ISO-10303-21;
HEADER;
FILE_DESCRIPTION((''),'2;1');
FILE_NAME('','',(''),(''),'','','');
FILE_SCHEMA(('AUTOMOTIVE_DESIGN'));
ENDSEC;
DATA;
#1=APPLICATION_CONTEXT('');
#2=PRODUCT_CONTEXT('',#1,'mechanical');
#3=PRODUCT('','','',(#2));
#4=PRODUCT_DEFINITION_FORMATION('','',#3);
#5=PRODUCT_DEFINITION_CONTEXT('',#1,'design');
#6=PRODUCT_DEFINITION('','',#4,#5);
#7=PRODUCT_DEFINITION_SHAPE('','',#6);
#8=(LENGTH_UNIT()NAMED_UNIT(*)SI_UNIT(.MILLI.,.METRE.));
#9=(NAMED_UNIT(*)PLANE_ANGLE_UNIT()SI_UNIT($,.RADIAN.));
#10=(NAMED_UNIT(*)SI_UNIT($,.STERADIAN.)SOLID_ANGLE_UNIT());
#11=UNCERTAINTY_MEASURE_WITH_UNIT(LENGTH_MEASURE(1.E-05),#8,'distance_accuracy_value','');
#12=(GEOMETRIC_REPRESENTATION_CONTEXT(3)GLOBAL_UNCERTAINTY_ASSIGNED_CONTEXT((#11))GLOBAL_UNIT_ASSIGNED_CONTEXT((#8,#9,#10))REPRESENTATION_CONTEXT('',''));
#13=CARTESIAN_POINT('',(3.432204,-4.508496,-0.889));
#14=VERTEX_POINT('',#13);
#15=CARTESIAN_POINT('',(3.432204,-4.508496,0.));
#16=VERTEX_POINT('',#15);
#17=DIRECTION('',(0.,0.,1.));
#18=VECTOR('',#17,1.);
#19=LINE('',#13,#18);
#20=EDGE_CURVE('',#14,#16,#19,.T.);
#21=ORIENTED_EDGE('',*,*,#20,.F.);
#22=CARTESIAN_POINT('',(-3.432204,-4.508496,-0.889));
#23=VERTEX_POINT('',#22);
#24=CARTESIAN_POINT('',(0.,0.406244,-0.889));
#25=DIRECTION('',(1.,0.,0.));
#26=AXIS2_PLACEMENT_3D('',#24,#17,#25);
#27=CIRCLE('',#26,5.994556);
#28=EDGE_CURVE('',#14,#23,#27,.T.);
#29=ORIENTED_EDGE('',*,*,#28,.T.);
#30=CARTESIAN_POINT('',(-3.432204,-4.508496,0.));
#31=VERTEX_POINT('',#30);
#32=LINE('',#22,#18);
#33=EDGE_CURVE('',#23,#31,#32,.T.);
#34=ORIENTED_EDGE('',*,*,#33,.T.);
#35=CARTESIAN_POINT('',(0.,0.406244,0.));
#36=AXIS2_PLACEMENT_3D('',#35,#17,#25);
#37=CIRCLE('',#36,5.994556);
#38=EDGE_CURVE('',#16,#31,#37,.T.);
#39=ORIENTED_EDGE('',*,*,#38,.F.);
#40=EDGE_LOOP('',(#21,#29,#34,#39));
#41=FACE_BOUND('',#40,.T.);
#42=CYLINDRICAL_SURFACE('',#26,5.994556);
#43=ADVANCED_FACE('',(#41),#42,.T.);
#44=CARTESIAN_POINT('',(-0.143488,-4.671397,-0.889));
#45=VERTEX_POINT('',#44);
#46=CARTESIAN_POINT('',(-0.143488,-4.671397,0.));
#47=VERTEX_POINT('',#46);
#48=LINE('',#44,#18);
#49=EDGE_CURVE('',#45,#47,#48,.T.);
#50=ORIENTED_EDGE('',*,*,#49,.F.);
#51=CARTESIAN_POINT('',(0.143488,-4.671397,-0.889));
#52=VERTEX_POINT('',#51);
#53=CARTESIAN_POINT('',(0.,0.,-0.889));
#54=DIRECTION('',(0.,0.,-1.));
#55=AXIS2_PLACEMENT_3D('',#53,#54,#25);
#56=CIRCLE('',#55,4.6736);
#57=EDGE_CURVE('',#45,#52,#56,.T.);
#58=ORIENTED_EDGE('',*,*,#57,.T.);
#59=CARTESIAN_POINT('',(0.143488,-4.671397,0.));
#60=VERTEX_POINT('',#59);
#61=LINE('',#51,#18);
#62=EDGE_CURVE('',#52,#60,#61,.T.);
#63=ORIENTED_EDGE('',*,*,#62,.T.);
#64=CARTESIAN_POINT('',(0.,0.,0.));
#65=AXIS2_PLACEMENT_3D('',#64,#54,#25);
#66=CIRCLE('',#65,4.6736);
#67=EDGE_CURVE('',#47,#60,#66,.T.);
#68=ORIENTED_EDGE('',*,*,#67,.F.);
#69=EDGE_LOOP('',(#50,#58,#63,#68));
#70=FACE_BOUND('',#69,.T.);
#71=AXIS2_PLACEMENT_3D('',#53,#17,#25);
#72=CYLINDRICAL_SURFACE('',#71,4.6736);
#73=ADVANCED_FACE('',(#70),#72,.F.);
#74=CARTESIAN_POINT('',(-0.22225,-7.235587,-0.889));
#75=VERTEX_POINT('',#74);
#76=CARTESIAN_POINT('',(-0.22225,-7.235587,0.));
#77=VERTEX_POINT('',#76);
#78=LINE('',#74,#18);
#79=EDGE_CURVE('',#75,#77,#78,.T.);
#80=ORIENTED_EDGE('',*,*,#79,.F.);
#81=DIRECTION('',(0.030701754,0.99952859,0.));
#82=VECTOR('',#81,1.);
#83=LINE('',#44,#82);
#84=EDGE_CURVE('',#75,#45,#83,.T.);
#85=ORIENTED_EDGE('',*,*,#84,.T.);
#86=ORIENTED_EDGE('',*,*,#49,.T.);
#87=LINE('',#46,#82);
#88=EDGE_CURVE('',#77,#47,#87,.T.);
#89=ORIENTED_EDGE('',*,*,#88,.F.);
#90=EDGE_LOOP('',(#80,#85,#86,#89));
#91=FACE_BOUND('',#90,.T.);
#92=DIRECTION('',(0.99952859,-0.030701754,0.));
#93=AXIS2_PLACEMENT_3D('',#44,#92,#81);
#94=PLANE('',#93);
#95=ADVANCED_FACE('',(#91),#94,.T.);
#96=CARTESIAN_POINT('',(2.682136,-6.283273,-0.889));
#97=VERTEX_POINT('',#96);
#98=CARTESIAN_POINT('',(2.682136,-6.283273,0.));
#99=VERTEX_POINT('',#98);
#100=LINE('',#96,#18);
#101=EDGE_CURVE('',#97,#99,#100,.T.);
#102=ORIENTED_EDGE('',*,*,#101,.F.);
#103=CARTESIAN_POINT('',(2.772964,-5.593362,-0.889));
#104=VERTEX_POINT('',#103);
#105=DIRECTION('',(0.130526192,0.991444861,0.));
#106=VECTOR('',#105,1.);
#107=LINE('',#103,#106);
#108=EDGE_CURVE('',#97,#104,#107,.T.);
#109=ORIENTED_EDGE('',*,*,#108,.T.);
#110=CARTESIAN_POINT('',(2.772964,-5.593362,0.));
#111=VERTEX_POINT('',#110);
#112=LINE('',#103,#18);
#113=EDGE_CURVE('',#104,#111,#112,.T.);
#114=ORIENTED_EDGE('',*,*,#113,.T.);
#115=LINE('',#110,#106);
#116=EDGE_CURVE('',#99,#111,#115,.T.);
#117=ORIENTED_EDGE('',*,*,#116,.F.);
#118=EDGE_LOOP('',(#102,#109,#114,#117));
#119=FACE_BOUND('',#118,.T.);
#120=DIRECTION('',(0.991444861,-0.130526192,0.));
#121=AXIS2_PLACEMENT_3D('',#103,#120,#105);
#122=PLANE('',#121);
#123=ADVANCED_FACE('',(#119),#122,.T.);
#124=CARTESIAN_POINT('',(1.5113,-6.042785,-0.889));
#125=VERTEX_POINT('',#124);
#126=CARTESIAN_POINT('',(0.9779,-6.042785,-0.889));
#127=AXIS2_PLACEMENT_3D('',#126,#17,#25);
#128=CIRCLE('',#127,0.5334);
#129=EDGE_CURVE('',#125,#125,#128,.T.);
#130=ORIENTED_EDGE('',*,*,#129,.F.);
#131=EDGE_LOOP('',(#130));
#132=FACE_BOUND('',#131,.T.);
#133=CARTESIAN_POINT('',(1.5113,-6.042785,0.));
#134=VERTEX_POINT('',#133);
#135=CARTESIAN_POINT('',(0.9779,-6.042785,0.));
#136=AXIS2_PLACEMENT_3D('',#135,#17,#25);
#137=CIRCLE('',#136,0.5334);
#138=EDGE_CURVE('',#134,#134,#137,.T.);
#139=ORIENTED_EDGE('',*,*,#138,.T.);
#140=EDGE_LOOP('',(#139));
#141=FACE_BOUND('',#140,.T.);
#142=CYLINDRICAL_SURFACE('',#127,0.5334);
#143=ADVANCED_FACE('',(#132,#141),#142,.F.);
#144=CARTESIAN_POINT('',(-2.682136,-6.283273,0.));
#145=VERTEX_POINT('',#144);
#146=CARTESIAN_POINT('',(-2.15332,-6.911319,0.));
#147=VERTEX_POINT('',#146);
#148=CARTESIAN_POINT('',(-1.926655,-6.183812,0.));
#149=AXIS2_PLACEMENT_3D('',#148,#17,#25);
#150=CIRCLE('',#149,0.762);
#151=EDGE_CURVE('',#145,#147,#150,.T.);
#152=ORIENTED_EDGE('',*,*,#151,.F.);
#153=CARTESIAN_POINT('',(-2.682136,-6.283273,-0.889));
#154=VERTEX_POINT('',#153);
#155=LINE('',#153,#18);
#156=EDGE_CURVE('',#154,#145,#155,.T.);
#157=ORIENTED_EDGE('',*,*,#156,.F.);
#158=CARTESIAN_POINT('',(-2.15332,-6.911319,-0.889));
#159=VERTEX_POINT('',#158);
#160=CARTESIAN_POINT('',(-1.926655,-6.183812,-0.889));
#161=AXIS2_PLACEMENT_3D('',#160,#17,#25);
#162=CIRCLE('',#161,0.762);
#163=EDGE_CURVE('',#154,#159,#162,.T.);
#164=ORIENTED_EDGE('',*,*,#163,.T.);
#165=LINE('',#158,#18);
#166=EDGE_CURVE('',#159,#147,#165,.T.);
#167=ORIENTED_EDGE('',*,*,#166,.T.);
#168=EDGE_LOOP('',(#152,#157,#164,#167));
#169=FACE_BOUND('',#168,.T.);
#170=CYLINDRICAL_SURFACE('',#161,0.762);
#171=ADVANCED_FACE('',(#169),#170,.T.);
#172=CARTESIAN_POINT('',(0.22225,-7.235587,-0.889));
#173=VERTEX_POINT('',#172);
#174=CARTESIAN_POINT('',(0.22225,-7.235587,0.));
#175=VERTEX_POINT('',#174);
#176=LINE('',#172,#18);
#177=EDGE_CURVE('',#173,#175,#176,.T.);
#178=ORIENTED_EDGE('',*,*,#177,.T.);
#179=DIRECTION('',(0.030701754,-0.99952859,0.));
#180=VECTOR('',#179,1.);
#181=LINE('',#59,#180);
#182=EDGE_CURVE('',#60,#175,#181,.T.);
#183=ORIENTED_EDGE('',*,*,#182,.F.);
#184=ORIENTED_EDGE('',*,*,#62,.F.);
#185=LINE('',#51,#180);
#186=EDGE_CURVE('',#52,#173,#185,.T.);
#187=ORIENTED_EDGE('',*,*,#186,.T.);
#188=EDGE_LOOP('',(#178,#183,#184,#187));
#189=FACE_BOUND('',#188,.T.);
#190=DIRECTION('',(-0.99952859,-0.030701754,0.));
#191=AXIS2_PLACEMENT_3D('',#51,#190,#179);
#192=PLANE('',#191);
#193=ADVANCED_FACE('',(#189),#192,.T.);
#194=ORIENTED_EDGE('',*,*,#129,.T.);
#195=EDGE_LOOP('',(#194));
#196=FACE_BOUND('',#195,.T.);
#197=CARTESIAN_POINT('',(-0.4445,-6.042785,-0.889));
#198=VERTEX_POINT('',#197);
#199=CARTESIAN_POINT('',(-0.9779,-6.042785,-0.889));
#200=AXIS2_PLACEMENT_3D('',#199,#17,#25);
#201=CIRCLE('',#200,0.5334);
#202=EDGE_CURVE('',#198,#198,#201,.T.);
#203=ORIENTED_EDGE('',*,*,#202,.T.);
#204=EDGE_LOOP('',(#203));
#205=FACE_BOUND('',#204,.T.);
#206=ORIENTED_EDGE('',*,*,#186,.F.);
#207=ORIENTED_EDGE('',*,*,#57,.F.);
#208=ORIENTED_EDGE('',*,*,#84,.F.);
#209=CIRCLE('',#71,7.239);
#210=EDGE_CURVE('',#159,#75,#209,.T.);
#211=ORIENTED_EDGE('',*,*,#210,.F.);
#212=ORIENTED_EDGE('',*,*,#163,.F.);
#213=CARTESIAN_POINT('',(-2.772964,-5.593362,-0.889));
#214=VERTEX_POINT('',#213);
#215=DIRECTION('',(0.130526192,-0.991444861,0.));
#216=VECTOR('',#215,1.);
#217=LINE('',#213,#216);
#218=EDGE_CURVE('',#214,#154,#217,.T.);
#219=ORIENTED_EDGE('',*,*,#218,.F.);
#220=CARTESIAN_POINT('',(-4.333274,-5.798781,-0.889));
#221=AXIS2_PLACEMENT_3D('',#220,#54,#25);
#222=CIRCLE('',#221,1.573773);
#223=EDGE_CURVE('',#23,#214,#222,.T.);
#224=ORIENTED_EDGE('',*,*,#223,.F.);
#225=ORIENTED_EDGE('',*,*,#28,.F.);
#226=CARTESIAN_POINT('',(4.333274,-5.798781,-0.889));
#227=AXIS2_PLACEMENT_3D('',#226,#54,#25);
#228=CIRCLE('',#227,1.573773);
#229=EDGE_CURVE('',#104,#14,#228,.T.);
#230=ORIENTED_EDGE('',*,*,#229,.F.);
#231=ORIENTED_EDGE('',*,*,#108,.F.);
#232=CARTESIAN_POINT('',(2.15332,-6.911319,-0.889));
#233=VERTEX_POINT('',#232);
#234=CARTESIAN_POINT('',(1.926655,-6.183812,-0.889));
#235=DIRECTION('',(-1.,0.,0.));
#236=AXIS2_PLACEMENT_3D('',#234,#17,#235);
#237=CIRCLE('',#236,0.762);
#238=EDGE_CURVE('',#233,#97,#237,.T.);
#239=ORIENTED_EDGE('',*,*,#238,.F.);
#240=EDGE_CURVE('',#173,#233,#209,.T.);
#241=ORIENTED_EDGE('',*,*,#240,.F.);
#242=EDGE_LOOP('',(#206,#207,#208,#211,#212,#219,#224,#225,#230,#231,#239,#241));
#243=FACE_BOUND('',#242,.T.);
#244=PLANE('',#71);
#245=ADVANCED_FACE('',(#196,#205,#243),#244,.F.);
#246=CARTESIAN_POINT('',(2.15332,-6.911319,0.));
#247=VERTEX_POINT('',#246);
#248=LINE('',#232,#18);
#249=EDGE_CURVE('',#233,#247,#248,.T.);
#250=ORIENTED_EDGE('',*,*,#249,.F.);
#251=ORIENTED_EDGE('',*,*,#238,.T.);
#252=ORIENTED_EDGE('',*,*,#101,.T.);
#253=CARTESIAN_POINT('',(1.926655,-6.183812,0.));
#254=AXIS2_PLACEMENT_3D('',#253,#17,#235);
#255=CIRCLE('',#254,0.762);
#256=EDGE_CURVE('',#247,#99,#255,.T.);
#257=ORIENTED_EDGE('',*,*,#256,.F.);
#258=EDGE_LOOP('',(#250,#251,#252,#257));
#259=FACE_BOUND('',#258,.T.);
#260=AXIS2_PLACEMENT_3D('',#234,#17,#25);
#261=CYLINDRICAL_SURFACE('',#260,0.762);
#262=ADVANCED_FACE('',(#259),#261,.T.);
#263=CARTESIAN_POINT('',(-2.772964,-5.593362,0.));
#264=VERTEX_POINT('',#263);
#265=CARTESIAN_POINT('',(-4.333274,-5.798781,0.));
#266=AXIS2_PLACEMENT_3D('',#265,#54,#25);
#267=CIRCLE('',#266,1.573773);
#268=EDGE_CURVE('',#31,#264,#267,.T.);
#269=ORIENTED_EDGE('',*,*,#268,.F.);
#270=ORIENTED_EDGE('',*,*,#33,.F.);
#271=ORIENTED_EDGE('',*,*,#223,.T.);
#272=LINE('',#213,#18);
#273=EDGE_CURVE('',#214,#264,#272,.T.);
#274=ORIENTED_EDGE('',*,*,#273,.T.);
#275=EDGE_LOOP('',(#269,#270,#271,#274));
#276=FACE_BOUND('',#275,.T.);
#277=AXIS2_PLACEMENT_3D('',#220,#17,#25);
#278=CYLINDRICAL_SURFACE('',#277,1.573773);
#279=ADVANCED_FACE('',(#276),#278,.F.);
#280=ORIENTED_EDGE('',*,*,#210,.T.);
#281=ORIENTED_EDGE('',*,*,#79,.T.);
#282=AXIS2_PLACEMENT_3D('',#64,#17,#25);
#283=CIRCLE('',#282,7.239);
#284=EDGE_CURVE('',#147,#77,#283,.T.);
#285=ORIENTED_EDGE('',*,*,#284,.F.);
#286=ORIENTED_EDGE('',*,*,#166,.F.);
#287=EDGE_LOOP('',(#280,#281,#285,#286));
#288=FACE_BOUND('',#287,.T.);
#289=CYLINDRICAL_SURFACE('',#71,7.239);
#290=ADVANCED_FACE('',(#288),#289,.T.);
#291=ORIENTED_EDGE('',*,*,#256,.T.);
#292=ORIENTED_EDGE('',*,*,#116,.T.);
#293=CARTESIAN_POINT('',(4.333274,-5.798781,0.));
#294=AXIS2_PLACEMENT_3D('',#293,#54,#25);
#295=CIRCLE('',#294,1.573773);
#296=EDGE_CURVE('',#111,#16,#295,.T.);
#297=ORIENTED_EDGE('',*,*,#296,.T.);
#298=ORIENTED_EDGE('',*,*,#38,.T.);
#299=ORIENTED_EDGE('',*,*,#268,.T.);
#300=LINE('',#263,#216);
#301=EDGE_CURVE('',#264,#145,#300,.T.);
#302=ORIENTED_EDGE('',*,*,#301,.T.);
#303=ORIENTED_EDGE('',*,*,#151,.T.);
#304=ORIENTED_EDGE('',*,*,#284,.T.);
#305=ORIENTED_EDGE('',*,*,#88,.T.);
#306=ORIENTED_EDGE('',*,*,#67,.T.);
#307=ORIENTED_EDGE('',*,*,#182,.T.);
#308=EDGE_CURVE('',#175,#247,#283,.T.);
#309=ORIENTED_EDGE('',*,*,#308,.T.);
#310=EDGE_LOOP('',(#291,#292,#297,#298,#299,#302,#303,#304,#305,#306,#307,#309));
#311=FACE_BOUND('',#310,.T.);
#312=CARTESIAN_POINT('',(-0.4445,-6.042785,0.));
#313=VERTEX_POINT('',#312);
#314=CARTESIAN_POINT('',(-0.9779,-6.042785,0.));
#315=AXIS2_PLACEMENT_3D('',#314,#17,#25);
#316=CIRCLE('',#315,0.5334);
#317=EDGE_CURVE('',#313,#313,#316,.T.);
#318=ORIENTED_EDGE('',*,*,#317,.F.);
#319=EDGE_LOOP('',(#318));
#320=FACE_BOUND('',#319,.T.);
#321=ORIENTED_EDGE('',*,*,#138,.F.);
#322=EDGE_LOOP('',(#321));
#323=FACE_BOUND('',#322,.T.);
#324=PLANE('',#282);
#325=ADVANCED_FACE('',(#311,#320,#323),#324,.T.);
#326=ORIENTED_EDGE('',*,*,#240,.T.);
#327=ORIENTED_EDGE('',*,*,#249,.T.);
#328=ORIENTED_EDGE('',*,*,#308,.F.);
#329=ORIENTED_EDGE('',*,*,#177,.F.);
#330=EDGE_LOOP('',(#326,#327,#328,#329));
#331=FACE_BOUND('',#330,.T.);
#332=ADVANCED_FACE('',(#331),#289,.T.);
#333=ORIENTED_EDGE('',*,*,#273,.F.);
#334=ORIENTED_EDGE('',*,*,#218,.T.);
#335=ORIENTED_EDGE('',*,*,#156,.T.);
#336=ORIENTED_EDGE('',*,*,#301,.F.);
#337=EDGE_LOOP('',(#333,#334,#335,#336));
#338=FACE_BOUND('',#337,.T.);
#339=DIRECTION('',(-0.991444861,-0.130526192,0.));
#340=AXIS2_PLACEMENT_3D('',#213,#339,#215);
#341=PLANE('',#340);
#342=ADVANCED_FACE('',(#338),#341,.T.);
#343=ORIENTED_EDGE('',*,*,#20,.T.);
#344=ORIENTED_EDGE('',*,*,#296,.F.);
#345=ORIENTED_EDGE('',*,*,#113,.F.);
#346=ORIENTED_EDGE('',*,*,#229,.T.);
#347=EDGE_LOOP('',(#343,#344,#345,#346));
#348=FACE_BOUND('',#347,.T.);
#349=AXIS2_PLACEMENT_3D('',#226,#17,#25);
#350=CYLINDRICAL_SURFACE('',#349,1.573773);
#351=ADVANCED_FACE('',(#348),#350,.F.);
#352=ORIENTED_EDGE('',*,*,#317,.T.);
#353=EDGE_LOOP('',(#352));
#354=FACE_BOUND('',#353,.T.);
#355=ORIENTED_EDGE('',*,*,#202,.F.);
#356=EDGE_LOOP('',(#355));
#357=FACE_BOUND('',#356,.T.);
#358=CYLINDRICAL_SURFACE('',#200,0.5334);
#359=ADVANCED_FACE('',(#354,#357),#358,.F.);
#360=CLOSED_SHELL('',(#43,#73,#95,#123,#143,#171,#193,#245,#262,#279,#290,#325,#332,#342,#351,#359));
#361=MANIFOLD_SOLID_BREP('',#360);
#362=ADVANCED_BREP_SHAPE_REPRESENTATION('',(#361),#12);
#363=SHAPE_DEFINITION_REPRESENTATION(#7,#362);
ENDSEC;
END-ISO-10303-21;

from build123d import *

# Parameters (mm, degrees)
BODYSKE_R  = 0.5334
BODY_DEPTH = 0.889


with BuildPart() as part:
    # BodySke → Body (new body)
    with BuildSketch(Plane.XY):
        with BuildLine():
            Line((0.143487719, -4.671396818), (0.22225, -7.235587463))
            ThreePointArc((0.22225, -7.235587463), (1.198799799, -7.139047558), (2.153320231, -6.911319193))
            ThreePointArc((2.153320231, -6.911319193), (2.509547191, -6.674607823), (2.682135928, -6.283272868))
            Line((2.682135928, -6.283272868), (2.772964397, -5.593362151))
            ThreePointArc((2.772964397, -5.593362151), (2.988346137, -4.981509808), (3.432204296, -4.508495518))
            ThreePointArc((3.432204296, -4.508495518), (0, 6.4008), (-3.432204296, -4.508495518))
            ThreePointArc((-3.432204296, -4.508495518), (-2.988346137, -4.981509808), (-2.772964397, -5.593362151))
            Line((-2.772964397, -5.593362151), (-2.682135928, -6.283272868))
            ThreePointArc((-2.682135928, -6.283272868), (-2.509547191, -6.674607823), (-2.153320231, -6.911319193))
            ThreePointArc((-2.153320231, -6.911319193), (-1.198799799, -7.139047558), (-0.22225, -7.235587463))
            Line((-0.22225, -7.235587463), (-0.143487719, -4.671396818))
            ThreePointArc((-0.143487719, -4.671396818), (0, 4.6736), (0.143487719, -4.671396818))
        make_face()
        with Locations((0.9779, -6.042784917)):
            Circle(BODYSKE_R, mode=Mode.SUBTRACT)
        with Locations((-0.9779, -6.042784917)):
            Circle(BODYSKE_R, mode=Mode.SUBTRACT)
    extrude(amount=-BODY_DEPTH)


solid = part.part
